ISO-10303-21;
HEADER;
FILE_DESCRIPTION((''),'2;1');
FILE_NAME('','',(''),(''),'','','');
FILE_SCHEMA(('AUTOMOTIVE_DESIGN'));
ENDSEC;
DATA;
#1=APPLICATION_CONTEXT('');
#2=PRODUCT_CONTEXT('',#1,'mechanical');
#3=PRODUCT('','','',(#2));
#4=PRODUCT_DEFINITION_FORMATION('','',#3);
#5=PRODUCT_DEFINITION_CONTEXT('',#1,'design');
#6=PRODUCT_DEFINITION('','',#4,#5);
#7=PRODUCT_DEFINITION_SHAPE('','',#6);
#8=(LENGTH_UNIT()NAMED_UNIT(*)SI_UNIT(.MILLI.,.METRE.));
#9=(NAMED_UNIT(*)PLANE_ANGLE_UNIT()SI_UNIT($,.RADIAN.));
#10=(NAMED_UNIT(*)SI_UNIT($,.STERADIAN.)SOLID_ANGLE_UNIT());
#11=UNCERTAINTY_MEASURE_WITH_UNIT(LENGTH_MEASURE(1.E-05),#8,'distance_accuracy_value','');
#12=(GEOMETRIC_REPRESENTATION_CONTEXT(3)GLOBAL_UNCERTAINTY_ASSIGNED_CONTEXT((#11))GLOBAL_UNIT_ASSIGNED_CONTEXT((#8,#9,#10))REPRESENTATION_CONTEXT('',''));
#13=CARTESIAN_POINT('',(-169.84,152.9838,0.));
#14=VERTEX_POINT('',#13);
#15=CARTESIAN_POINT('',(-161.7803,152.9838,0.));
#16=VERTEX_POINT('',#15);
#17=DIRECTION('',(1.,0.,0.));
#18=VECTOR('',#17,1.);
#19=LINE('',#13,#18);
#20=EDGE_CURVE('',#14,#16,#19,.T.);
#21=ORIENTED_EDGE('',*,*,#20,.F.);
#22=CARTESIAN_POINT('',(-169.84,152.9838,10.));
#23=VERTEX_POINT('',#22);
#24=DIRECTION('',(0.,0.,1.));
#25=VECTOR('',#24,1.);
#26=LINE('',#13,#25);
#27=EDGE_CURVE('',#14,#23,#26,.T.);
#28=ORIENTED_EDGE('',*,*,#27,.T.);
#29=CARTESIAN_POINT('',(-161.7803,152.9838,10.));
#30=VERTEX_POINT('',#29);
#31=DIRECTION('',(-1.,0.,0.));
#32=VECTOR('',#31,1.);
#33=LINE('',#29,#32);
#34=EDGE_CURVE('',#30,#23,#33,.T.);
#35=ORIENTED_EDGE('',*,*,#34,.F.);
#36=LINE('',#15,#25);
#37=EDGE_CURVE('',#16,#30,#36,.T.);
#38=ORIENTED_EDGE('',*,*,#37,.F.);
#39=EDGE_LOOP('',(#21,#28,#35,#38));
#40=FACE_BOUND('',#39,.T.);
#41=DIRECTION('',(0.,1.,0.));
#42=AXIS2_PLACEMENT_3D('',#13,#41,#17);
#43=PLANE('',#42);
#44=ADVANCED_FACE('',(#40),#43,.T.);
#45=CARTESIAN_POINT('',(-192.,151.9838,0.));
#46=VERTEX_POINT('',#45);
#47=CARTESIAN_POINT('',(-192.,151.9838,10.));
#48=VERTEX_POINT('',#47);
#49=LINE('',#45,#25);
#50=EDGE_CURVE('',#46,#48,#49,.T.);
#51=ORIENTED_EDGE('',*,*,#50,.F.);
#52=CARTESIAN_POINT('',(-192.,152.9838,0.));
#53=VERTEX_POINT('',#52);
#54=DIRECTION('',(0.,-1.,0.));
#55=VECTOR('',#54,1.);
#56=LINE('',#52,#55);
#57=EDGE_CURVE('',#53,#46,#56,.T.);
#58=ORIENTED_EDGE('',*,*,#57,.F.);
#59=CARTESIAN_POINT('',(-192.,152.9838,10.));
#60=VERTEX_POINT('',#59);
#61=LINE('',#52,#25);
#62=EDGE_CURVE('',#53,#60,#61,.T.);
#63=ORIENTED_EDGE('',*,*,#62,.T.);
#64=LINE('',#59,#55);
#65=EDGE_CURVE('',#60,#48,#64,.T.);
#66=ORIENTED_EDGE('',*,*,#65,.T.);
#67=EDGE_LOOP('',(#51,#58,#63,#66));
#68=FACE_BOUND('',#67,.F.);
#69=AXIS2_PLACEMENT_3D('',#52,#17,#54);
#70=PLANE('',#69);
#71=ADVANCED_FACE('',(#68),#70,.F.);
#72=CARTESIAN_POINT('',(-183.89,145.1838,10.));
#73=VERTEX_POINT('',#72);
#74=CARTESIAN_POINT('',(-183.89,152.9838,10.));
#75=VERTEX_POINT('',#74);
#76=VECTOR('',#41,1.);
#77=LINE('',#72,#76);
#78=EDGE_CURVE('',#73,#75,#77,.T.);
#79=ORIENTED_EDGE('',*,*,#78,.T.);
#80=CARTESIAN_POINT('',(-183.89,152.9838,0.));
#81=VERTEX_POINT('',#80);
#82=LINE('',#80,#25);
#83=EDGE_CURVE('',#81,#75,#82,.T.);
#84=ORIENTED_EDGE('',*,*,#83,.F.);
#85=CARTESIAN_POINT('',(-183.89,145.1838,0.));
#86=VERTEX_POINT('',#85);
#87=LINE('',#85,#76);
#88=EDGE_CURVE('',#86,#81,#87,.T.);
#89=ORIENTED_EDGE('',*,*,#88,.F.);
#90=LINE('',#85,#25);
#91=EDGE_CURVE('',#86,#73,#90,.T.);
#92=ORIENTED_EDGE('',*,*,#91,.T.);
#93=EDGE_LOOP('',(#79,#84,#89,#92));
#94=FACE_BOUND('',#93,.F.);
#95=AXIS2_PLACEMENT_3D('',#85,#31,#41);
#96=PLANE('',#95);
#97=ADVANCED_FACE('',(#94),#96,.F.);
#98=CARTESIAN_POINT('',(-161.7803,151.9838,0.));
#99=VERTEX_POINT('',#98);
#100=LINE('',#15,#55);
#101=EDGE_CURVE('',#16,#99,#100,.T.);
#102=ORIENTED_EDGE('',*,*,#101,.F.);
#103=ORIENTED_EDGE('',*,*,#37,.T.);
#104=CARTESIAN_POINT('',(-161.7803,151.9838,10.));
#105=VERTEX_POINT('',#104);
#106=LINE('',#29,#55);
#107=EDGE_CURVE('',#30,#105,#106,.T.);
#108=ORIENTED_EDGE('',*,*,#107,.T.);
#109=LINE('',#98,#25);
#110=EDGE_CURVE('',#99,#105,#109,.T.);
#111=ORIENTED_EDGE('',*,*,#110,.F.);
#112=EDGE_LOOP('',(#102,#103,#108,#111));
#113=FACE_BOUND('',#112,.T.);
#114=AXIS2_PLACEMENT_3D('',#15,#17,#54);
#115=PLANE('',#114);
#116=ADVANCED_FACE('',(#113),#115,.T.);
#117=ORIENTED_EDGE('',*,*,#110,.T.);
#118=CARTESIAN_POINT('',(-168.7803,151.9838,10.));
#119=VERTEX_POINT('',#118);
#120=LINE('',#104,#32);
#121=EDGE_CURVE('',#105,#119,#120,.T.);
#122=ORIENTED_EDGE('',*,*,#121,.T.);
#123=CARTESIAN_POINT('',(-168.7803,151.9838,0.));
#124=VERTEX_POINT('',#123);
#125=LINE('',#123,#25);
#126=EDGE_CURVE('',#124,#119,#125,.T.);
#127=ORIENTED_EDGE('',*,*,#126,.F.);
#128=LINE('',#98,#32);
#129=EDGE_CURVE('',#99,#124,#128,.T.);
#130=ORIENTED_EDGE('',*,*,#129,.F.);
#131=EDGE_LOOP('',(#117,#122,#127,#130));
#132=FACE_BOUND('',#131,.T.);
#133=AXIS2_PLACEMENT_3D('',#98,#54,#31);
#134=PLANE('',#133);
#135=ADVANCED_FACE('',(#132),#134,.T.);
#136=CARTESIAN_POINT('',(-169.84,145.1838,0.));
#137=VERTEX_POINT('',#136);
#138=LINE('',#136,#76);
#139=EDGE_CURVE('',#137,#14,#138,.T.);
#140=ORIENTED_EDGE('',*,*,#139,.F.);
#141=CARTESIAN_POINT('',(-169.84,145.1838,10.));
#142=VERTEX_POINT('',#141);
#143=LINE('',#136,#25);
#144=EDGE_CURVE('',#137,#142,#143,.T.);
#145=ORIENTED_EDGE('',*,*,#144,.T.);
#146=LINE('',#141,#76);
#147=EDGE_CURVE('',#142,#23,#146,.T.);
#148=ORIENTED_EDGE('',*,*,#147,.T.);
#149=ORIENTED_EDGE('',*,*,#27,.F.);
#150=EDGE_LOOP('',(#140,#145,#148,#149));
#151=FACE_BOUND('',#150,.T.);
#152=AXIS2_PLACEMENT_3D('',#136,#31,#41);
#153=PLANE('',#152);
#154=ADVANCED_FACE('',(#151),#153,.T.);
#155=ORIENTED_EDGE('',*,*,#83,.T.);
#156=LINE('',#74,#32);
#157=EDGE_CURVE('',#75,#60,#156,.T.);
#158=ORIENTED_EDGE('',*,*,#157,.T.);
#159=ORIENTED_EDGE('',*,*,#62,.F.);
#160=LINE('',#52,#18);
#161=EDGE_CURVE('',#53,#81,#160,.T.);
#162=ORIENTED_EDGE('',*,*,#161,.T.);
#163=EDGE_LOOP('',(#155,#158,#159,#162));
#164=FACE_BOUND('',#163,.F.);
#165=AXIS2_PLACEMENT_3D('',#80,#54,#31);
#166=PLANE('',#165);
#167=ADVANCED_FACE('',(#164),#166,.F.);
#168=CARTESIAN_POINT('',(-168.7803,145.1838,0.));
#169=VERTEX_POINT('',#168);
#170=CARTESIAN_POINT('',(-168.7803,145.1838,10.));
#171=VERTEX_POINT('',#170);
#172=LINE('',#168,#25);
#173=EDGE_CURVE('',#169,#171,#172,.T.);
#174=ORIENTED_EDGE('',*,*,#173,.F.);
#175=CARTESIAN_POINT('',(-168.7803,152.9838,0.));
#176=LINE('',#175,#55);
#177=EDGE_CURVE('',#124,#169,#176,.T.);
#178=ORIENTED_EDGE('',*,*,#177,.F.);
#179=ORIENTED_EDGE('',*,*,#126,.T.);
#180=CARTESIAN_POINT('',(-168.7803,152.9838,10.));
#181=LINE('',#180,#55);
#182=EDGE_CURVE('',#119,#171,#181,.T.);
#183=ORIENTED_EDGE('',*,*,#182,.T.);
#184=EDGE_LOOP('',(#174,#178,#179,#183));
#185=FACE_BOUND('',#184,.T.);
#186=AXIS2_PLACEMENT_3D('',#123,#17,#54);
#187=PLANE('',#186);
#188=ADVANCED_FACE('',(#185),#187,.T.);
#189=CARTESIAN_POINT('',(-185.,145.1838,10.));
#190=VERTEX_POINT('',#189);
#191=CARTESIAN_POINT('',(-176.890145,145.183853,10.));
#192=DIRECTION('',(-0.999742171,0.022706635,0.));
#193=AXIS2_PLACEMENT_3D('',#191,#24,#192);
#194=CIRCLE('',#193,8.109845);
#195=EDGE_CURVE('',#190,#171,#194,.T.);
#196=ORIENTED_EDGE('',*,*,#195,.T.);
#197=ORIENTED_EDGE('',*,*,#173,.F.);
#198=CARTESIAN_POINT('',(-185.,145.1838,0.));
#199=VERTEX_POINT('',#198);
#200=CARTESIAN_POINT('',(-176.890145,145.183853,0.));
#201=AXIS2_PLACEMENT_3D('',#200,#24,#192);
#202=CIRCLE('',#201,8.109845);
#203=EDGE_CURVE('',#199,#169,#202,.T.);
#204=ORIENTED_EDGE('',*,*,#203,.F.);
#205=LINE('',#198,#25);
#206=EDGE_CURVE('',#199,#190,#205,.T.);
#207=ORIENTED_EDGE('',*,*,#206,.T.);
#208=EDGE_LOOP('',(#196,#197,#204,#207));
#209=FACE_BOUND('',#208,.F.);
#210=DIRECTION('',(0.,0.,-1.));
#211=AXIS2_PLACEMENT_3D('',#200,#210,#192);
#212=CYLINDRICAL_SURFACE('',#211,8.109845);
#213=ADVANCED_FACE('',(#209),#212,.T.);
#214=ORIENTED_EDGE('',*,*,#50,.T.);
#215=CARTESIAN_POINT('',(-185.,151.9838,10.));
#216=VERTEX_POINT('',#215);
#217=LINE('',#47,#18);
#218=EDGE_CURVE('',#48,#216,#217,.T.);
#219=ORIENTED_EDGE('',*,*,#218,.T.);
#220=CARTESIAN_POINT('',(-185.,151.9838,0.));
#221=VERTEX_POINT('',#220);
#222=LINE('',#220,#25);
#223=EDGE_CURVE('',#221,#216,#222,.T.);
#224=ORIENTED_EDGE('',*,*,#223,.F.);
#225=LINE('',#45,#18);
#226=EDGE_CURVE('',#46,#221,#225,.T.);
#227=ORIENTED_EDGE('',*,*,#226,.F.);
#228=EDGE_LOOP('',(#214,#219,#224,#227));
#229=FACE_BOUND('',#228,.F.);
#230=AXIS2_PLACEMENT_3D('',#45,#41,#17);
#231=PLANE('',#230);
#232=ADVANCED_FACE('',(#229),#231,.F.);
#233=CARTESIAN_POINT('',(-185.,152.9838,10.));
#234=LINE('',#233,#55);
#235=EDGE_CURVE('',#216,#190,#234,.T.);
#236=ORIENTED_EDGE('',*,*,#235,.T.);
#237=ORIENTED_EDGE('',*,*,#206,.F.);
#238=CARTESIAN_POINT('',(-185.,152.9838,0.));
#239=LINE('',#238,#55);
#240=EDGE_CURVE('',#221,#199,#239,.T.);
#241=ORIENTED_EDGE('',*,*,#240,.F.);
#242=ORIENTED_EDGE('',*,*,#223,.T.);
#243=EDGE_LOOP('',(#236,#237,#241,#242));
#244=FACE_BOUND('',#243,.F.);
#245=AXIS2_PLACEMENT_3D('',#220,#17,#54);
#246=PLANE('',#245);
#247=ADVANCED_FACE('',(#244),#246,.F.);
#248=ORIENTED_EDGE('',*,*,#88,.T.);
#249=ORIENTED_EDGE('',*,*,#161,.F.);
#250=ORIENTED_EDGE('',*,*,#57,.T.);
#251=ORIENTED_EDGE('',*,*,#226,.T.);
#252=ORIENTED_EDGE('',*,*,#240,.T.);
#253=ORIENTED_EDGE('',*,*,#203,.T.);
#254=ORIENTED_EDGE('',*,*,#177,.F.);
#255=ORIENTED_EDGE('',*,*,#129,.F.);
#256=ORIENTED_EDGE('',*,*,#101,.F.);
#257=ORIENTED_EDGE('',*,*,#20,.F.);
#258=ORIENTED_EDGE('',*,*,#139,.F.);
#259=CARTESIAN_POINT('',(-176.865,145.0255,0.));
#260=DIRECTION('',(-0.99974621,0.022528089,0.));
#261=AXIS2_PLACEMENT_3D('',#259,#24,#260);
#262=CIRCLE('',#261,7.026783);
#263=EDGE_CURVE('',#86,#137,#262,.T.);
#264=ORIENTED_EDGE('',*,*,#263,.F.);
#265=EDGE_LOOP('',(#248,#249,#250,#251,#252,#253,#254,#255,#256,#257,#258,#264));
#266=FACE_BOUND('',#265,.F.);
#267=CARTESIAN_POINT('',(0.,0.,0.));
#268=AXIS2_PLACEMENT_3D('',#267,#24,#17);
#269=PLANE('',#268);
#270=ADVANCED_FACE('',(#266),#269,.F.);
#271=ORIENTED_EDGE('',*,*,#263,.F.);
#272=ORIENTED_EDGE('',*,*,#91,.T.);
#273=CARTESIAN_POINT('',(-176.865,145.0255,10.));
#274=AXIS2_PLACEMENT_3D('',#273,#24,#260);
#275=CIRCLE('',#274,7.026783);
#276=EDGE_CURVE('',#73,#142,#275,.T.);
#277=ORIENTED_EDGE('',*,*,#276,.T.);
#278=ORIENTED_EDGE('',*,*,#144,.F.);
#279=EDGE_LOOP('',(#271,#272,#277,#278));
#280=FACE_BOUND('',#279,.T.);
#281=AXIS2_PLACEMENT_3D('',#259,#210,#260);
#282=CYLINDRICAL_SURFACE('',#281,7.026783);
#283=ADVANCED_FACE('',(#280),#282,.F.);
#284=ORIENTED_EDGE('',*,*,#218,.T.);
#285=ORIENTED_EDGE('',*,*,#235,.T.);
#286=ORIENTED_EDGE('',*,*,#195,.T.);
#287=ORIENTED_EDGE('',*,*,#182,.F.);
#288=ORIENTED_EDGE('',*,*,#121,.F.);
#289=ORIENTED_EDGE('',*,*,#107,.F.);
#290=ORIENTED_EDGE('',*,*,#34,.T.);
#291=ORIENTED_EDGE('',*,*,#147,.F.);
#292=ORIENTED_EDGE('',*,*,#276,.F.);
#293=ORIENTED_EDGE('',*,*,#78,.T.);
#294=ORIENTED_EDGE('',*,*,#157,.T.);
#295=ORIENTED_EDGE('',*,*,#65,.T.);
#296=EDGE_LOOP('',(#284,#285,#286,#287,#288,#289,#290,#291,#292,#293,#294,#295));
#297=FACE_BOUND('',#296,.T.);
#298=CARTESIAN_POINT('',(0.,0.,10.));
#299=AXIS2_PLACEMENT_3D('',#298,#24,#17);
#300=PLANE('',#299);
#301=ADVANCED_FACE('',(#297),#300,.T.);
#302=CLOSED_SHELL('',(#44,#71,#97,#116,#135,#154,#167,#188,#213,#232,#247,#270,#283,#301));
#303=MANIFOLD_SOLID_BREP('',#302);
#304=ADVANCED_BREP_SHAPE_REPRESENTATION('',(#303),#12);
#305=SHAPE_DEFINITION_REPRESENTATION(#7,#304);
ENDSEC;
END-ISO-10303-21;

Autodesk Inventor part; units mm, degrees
ref_plane "YZ Plane" through (0, 0, 0) normal (1, 0, 0) x (0, 1, 0)
ref_plane "XZ Plane" through (0, 0, 0) normal (0, 1, 0) x (-1, 0, 0)
ref_plane "XY Plane" through (0, 0, 0) normal (0, 0, 1) x (1, 0, 0)
sketch "Sketch1" plane through (0, 0, 0) normal (0, 0, 1) x (1, 0, 0)
  arc A0 (-183.89, 145.1838) -> (-169.84, 145.1838) centre (-176.865, 145.0255) ccw
  line L0 (-169.84, 145.1838) -> (-183.89, 145.1838) construction
  arc A1 (-184.9979, 145.368) -> (-168.7803, 145.1838) centre (-176.8902, 145.1838) ccw
  line L1 (-183.89, 145.1838) -> (-185, 145.1838)
  line L2 (-169.84, 145.1838) -> (-168.7803, 145.1838)
  line L3 (-168.7803, 145.1838) -> (-169.84, 145.1838)
  line L4 (-169.84, 145.1838) -> (-169.84, 152.9838)
  line L5 (-169.84, 152.9838) -> (-168.7803, 152.9838)
  line L6 (-168.7803, 152.9838) -> (-168.7803, 145.1838)
  line L7 (-185, 145.1838) -> (-183.89, 145.1838)
  line L8 (-183.89, 145.1838) -> (-183.89, 152.9838)
  line L9 (-183.89, 152.9838) -> (-185, 152.9838)
  line L10 (-185, 152.9838) -> (-185, 145.1838)
  line L11 (-168.7803, 152.9838) -> (-161.7803, 152.9838)
  line L12 (-161.7803, 152.9838) -> (-161.7803, 151.9838)
  line L13 (-161.7803, 151.9838) -> (-168.7803, 151.9838)
  line L14 (-168.7803, 151.9838) -> (-168.7803, 152.9838)
  line L15 (-185, 152.9838) -> (-192, 152.9838)
  line L16 (-192, 152.9838) -> (-192, 151.9838)
  line L17 (-192, 151.9838) -> (-185, 151.9838)
  line L18 (-185, 151.9838) -> (-185, 152.9838)
  point P0 (0, 0)
  dimension "d0" = 14.05
  dimension "d12" = 7.8
  dimension "d13" = 7.8
  dimension "d14" = 1
  dimension "d15" = 7
  dimension "d16" = 1
  dimension "d17" = 7
extrude "Extrusion2" add sketch "Sketch1" along normal blind 10
properties part number "enganche eje muñeca"
